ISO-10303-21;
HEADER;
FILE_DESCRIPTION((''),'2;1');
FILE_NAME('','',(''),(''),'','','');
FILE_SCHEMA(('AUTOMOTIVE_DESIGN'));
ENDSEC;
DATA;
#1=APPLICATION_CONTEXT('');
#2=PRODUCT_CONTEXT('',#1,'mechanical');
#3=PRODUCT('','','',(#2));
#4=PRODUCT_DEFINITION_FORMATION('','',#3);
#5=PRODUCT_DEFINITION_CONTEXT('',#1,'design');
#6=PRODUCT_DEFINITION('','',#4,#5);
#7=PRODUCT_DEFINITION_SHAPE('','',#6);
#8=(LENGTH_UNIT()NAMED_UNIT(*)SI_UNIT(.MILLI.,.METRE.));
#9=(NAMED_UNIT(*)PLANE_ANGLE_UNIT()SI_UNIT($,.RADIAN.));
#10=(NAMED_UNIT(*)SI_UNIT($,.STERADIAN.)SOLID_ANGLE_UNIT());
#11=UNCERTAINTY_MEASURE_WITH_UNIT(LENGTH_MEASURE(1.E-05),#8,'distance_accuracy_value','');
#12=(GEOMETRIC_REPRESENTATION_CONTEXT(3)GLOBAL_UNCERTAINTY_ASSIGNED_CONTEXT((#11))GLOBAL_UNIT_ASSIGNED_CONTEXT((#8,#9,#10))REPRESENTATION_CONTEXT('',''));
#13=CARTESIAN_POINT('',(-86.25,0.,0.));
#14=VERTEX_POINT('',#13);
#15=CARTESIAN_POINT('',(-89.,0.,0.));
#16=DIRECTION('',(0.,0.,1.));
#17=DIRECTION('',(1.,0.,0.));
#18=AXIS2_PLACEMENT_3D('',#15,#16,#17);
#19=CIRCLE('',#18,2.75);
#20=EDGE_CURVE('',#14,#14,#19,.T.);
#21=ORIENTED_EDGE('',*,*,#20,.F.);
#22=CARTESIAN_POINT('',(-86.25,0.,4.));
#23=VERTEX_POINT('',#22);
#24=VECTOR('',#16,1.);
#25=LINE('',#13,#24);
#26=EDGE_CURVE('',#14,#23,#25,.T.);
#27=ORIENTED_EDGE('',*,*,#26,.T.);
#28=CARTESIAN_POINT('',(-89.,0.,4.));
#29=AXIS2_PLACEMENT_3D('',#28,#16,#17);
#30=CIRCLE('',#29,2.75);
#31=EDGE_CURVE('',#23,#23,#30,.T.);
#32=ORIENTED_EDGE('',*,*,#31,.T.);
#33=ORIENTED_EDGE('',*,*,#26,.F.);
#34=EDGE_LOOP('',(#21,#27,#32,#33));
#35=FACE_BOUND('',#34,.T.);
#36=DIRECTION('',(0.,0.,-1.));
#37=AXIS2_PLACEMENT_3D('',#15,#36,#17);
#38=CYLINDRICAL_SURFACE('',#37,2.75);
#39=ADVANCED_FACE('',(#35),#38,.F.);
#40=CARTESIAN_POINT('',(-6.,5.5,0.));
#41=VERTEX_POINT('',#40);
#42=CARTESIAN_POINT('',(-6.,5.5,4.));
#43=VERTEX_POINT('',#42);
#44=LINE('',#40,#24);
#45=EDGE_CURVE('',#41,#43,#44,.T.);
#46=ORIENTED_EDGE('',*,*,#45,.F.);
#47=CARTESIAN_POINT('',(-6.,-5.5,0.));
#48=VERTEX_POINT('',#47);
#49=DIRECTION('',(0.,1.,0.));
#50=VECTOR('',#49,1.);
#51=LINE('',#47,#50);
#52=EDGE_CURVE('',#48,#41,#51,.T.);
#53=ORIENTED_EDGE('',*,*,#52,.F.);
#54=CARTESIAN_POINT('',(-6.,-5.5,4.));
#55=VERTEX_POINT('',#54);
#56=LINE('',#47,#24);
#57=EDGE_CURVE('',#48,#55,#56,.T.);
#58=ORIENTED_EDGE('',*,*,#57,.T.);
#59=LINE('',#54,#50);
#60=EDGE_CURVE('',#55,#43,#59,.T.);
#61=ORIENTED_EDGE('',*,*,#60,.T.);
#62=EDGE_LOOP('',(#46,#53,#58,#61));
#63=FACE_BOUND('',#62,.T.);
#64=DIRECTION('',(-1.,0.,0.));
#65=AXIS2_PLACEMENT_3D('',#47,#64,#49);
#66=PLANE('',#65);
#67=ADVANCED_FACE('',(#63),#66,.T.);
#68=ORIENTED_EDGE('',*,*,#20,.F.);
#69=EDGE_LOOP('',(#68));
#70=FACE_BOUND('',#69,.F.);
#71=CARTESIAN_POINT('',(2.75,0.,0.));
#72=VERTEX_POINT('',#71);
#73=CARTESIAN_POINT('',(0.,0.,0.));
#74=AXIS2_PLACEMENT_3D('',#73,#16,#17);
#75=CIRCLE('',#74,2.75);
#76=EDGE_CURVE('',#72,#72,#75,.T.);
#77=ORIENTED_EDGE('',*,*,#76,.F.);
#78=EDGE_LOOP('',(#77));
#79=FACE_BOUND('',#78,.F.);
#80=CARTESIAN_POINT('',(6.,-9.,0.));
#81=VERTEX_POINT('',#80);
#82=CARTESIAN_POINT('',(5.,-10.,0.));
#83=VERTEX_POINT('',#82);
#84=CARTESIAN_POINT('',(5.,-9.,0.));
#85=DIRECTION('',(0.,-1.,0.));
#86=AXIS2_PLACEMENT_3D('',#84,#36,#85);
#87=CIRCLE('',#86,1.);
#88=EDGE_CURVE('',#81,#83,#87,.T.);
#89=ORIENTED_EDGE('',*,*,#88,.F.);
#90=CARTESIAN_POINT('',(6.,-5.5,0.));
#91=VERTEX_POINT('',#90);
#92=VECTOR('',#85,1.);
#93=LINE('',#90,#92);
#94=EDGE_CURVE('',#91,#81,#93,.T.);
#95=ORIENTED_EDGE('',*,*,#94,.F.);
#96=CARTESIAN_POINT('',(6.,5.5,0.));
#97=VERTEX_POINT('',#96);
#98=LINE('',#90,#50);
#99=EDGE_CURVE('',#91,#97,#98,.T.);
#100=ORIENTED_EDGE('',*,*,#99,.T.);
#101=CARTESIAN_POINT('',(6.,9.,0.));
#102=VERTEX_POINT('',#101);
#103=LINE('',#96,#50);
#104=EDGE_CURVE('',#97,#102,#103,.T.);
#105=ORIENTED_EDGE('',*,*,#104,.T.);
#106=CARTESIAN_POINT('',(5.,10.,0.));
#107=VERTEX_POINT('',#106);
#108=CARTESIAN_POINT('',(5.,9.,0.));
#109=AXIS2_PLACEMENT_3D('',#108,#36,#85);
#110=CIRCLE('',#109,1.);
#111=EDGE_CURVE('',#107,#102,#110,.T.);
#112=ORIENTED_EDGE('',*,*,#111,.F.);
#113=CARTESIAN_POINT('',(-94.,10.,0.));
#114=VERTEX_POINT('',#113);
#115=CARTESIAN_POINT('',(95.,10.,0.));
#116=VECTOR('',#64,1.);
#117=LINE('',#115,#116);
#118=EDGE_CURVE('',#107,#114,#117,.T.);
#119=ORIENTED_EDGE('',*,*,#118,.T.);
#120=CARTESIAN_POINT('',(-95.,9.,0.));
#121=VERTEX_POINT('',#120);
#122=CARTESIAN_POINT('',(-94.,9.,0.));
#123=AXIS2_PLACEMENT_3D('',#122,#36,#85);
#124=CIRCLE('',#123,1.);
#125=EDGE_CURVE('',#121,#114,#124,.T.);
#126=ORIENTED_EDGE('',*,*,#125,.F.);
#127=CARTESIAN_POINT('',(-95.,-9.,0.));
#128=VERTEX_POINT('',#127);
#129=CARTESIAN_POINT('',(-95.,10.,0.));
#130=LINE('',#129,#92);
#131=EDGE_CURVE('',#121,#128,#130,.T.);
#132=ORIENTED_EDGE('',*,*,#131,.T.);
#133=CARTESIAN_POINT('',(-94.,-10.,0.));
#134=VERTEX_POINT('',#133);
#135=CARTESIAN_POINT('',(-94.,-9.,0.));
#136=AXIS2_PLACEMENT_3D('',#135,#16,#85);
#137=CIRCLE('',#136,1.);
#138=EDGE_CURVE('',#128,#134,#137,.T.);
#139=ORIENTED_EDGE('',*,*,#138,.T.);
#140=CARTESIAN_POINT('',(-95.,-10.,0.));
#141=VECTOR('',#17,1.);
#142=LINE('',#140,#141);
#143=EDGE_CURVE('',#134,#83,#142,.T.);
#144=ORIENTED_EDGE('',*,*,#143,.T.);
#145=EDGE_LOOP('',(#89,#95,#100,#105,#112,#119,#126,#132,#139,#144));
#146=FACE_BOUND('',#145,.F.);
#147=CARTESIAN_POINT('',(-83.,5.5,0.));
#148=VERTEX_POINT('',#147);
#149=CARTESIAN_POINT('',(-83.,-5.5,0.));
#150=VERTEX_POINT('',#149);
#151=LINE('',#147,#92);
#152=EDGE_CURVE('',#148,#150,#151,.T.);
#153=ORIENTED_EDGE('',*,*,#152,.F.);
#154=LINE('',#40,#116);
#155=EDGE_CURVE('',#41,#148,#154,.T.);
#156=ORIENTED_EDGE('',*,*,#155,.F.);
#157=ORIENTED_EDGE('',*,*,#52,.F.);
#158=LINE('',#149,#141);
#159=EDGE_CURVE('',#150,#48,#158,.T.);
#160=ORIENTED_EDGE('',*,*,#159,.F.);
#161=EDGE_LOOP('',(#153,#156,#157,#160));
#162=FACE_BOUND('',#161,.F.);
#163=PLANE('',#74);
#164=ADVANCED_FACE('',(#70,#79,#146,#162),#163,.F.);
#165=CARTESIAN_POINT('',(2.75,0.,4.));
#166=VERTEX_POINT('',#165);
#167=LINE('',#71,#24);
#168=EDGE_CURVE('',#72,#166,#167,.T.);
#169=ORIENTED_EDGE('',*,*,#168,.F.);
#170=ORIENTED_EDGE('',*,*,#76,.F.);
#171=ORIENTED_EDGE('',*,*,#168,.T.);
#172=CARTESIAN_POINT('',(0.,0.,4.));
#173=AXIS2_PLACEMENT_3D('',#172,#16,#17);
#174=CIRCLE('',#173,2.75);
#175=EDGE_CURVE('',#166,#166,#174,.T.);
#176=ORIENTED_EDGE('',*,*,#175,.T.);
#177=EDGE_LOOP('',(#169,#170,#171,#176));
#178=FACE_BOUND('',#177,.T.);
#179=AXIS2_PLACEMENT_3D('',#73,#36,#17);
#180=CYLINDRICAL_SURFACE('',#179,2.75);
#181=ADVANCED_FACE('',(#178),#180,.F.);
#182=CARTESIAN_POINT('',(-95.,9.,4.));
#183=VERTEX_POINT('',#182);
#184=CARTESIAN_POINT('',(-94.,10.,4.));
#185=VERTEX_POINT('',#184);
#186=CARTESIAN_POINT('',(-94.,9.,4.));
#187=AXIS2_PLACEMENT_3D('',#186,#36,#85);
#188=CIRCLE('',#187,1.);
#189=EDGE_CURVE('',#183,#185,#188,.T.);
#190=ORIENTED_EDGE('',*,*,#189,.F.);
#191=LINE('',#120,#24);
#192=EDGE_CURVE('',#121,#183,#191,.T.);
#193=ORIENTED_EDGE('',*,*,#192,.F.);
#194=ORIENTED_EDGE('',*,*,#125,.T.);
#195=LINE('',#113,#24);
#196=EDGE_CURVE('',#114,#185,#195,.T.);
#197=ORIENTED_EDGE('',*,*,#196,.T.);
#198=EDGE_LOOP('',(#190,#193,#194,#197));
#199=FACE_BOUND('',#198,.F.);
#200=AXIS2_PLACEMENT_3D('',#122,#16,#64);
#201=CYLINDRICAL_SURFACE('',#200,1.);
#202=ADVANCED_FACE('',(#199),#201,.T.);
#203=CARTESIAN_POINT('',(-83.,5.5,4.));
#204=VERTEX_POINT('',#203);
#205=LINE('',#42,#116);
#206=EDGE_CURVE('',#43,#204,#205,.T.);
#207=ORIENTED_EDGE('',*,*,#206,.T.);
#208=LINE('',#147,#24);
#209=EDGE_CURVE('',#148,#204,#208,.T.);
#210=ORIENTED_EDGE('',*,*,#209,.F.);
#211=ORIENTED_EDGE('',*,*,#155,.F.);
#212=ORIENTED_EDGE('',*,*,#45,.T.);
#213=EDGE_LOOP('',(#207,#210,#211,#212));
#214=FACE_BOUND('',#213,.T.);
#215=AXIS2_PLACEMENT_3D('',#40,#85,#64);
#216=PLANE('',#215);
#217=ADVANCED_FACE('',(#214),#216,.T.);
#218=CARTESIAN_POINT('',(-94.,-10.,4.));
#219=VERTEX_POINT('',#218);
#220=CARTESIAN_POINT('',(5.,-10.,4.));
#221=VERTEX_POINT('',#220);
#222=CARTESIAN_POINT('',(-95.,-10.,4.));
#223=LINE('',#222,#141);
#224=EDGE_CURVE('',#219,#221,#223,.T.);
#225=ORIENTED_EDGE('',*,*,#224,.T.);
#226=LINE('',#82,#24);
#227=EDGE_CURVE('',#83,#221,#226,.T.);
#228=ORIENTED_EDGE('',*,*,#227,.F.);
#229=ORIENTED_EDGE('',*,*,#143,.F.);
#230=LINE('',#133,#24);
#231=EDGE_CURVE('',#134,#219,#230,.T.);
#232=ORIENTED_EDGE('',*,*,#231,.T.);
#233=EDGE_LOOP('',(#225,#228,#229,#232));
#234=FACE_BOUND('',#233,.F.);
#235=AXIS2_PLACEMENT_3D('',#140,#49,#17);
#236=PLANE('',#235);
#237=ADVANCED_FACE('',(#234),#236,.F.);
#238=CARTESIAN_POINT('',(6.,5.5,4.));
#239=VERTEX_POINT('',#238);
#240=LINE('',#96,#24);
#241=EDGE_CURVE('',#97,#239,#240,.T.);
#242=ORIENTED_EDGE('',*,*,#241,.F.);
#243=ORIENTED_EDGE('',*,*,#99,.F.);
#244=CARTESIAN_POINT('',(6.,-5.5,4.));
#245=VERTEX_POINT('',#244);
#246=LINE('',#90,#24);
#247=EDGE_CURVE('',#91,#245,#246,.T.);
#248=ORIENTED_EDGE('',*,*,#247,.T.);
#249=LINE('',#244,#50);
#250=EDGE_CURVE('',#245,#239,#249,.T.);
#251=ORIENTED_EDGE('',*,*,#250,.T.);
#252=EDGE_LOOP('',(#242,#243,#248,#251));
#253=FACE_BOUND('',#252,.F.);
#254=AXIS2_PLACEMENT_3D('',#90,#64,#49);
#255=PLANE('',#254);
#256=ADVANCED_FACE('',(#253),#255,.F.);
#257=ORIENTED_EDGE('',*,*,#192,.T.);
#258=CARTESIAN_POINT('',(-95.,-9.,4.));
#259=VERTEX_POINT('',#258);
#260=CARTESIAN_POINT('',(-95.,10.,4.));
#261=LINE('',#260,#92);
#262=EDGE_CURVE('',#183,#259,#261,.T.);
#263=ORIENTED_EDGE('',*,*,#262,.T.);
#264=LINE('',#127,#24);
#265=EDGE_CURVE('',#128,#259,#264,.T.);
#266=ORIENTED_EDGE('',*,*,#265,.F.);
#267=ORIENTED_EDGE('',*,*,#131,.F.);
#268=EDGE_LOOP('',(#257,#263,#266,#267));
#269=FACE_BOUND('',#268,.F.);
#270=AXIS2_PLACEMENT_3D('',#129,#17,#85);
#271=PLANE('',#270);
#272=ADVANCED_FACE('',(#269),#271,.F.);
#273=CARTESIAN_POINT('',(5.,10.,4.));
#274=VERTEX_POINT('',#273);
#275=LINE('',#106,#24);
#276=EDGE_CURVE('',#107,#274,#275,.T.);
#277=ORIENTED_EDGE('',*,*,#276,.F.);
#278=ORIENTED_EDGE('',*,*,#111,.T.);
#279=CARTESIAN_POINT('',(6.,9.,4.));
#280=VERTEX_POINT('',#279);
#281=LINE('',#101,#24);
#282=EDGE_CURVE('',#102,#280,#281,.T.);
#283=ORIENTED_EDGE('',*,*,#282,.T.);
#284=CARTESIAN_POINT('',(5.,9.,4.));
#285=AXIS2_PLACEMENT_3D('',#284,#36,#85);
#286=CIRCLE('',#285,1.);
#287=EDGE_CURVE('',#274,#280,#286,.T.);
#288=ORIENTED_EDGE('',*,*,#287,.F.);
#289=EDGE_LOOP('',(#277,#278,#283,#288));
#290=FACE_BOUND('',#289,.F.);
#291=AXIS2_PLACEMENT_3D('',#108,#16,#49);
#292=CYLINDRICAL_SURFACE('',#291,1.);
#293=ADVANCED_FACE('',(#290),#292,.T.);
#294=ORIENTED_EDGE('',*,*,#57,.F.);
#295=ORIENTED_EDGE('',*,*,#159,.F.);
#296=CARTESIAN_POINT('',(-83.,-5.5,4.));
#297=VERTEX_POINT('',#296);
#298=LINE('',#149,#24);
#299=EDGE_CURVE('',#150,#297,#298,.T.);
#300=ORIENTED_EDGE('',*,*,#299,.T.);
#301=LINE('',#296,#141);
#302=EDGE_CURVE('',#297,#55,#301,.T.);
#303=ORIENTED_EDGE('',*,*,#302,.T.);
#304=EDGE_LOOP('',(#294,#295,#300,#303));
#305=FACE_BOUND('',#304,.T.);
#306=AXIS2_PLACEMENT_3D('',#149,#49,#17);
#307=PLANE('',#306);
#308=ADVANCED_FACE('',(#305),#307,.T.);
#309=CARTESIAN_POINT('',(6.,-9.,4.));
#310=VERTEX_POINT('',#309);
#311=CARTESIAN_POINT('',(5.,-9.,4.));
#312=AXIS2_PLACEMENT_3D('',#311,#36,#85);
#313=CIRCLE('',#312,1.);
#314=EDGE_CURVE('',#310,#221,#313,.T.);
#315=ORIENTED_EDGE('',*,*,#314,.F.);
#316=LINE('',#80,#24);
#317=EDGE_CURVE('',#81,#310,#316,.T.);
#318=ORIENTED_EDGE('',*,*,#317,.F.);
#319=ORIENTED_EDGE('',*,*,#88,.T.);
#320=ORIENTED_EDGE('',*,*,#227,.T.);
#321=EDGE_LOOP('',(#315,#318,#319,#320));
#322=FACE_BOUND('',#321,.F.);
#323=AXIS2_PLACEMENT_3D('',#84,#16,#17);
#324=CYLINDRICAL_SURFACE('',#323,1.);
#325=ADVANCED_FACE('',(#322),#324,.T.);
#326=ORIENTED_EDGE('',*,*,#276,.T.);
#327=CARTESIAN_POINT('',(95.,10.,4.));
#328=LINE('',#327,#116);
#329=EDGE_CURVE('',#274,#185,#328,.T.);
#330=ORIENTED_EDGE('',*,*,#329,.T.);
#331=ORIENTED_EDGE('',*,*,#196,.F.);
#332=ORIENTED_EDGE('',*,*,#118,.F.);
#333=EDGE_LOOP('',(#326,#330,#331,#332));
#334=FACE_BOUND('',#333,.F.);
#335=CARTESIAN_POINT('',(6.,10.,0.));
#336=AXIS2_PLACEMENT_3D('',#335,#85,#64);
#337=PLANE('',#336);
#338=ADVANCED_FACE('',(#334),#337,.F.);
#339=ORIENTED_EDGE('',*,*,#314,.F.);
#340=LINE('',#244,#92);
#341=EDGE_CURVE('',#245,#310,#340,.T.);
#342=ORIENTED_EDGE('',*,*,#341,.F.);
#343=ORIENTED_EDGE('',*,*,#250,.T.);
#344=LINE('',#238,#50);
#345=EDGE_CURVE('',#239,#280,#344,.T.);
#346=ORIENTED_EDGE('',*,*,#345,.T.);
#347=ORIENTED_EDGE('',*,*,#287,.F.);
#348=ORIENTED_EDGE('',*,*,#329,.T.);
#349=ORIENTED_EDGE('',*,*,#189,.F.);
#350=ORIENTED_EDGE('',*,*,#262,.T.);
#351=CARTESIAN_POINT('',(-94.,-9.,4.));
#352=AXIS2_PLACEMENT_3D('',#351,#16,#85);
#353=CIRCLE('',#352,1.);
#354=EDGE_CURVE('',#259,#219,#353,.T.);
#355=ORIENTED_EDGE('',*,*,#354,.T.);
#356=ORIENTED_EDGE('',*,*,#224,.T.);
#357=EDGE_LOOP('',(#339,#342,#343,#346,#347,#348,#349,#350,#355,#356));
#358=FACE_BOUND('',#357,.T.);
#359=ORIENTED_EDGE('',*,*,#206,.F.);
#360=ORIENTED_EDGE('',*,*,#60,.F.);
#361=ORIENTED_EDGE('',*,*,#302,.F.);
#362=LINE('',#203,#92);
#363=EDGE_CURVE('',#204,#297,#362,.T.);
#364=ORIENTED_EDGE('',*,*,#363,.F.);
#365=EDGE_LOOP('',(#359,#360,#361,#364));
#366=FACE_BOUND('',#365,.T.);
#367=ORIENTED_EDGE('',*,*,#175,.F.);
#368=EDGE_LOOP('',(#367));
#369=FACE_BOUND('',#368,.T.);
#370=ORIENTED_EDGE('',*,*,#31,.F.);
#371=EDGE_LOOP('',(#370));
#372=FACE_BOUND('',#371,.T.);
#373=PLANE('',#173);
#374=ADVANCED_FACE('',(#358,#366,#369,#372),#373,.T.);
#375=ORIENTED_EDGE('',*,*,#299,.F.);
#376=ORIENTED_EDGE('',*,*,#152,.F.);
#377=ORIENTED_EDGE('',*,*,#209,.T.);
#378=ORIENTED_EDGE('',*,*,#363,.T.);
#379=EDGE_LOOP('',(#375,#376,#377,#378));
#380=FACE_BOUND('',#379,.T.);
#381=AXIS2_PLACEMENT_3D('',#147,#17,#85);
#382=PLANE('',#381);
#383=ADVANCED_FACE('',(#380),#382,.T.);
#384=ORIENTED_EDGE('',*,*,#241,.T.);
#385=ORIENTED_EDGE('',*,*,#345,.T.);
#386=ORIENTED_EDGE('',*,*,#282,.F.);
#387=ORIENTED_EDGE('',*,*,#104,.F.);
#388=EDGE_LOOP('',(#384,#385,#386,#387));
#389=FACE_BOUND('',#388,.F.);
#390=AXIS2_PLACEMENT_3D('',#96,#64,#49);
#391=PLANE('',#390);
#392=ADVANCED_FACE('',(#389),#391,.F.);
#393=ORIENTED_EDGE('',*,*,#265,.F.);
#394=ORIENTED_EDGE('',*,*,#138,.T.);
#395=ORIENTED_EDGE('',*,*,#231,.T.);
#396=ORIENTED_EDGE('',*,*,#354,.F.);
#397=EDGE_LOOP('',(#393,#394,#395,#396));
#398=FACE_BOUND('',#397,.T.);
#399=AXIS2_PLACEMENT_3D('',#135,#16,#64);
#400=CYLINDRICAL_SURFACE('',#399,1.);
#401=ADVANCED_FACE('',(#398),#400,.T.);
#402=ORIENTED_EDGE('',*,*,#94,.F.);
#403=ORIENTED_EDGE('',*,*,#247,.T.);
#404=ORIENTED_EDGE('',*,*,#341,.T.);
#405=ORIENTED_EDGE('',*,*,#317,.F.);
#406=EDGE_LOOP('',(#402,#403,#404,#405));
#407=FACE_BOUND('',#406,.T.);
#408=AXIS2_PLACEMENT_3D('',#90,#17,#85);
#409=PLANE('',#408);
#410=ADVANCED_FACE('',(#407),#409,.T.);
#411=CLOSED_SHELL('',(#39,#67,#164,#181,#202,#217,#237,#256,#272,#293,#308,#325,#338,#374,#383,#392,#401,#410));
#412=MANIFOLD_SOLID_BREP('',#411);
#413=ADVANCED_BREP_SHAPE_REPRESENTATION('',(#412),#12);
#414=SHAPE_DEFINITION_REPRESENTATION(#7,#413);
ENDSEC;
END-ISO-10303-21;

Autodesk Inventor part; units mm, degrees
ref_plane "YZ Plane" through (0, 0, 0) normal (1, 0, 0) x (0, 1, 0)
ref_plane "XZ Plane" through (0, 0, 0) normal (0, 1, 0) x (-1, 0, 0)
ref_plane "XY Plane" through (0, 0, 0) normal (0, 0, 1) x (1, 0, 0)
sketch "Sketch1" plane through (0, 0, 0) normal (0, 0, 1) x (1, 0, 0)
  line L0 (-95, -10) -> (95, -10)
  line L1 (95, -10) -> (95, 10)
  line L2 (95, 10) -> (-95, 10)
  line L3 (-95, 10) -> (-95, -10)
  line L4 (-95, -10) -> (95, 10) construction
  line L5 (95, -10) -> (-95, 10) construction
  line L6 (-133, 0) -> (133, 0) construction
  line L7 (-83, -5.5) -> (-6, -5.5)
  line L8 (-6, -5.5) -> (-6, 5.5)
  line L9 (-6, 5.5) -> (-83, 5.5)
  line L10 (-83, 5.5) -> (-83, -5.5)
  line L11 (-83, -5.5) -> (-6, 5.5) construction
  line L12 (-6, -5.5) -> (-83, 5.5) construction
  line L13 (0, 14.2899) -> (0, -14.2899) construction
  line L14 (83, -5.5) -> (6, -5.5)
  line L15 (6, -5.5) -> (6, 5.5)
  line L16 (6, 5.5) -> (83, 5.5)
  line L17 (83, 5.5) -> (83, -5.5)
  line L18 (83, -5.5) -> (6, 5.5) construction
  line L19 (6, -5.5) -> (83, 5.5) construction
  circle A0 centre (-89, 0) radius 2.75
  circle A1 centre (0, 0) radius 2.75
  circle A2 centre (89, 0) radius 2.75
  line L20 (6, 5.5) -> (6, 10)
  line L21 (6, -5.5) -> (6, -10)
  point P0 (-44.5, 0)
  point P1 (44.5, 0)
  dimension "d0" = 190
  dimension "d1" = 20
  dimension "d2" = 11
  dimension "d3" = 12
  dimension "d4" = 6
  dimension "d5" = 5.5
  dimension "d6" = 6
  dimension "d7" = 5.5
extrude "Extrusion1" add sketch "Sketch1" along normal blind 4 contours L3 L2 L20 L15 L21 L0
fillet "Fillet1" radius 1 4 edges at (-95, -10, 2) (-95, 10, 2) (6, -10, 2) (6, 10, 2)
sketch "Sketch2" plane through (0, 0, 4) normal (0, 0, 1) x (1, 0, 0)
  arc A0 (6, 9) -> (5, 10) centre (5, 9) ccw projected
  line L0 (5, 10) -> (-94, 10) projected
  arc A1 (-94, 10) -> (-95, 9) centre (-94, 9) ccw projected
  line L1 (-95, 9) -> (-95, -9) projected
  arc A2 (-95, -9) -> (-94, -10) centre (-94, -9) ccw projected
  line L2 (-94, -10) -> (5, -10) projected
  arc A3 (5, -10) -> (6, -9) centre (5, -9) ccw projected
  line L3 (6, -9) -> (6, 9) projected
  circle A4 centre (-89, 0) radius 2.75 projected
  circle A5 centre (0, 0) radius 2.75 projected
  line L4 (-83, -5.5) -> (-83, 5.5) projected
  line L5 (-83, 5.5) -> (-6, 5.5) projected
  line L6 (-6, 5.5) -> (-6, -5.5) projected
  line L7 (-6, -5.5) -> (-83, -5.5) projected
equation "\"d6\" = 0.5 * d3"
equation "\"d7\" = d5"
properties part number "LED_Holder_BackBot"
